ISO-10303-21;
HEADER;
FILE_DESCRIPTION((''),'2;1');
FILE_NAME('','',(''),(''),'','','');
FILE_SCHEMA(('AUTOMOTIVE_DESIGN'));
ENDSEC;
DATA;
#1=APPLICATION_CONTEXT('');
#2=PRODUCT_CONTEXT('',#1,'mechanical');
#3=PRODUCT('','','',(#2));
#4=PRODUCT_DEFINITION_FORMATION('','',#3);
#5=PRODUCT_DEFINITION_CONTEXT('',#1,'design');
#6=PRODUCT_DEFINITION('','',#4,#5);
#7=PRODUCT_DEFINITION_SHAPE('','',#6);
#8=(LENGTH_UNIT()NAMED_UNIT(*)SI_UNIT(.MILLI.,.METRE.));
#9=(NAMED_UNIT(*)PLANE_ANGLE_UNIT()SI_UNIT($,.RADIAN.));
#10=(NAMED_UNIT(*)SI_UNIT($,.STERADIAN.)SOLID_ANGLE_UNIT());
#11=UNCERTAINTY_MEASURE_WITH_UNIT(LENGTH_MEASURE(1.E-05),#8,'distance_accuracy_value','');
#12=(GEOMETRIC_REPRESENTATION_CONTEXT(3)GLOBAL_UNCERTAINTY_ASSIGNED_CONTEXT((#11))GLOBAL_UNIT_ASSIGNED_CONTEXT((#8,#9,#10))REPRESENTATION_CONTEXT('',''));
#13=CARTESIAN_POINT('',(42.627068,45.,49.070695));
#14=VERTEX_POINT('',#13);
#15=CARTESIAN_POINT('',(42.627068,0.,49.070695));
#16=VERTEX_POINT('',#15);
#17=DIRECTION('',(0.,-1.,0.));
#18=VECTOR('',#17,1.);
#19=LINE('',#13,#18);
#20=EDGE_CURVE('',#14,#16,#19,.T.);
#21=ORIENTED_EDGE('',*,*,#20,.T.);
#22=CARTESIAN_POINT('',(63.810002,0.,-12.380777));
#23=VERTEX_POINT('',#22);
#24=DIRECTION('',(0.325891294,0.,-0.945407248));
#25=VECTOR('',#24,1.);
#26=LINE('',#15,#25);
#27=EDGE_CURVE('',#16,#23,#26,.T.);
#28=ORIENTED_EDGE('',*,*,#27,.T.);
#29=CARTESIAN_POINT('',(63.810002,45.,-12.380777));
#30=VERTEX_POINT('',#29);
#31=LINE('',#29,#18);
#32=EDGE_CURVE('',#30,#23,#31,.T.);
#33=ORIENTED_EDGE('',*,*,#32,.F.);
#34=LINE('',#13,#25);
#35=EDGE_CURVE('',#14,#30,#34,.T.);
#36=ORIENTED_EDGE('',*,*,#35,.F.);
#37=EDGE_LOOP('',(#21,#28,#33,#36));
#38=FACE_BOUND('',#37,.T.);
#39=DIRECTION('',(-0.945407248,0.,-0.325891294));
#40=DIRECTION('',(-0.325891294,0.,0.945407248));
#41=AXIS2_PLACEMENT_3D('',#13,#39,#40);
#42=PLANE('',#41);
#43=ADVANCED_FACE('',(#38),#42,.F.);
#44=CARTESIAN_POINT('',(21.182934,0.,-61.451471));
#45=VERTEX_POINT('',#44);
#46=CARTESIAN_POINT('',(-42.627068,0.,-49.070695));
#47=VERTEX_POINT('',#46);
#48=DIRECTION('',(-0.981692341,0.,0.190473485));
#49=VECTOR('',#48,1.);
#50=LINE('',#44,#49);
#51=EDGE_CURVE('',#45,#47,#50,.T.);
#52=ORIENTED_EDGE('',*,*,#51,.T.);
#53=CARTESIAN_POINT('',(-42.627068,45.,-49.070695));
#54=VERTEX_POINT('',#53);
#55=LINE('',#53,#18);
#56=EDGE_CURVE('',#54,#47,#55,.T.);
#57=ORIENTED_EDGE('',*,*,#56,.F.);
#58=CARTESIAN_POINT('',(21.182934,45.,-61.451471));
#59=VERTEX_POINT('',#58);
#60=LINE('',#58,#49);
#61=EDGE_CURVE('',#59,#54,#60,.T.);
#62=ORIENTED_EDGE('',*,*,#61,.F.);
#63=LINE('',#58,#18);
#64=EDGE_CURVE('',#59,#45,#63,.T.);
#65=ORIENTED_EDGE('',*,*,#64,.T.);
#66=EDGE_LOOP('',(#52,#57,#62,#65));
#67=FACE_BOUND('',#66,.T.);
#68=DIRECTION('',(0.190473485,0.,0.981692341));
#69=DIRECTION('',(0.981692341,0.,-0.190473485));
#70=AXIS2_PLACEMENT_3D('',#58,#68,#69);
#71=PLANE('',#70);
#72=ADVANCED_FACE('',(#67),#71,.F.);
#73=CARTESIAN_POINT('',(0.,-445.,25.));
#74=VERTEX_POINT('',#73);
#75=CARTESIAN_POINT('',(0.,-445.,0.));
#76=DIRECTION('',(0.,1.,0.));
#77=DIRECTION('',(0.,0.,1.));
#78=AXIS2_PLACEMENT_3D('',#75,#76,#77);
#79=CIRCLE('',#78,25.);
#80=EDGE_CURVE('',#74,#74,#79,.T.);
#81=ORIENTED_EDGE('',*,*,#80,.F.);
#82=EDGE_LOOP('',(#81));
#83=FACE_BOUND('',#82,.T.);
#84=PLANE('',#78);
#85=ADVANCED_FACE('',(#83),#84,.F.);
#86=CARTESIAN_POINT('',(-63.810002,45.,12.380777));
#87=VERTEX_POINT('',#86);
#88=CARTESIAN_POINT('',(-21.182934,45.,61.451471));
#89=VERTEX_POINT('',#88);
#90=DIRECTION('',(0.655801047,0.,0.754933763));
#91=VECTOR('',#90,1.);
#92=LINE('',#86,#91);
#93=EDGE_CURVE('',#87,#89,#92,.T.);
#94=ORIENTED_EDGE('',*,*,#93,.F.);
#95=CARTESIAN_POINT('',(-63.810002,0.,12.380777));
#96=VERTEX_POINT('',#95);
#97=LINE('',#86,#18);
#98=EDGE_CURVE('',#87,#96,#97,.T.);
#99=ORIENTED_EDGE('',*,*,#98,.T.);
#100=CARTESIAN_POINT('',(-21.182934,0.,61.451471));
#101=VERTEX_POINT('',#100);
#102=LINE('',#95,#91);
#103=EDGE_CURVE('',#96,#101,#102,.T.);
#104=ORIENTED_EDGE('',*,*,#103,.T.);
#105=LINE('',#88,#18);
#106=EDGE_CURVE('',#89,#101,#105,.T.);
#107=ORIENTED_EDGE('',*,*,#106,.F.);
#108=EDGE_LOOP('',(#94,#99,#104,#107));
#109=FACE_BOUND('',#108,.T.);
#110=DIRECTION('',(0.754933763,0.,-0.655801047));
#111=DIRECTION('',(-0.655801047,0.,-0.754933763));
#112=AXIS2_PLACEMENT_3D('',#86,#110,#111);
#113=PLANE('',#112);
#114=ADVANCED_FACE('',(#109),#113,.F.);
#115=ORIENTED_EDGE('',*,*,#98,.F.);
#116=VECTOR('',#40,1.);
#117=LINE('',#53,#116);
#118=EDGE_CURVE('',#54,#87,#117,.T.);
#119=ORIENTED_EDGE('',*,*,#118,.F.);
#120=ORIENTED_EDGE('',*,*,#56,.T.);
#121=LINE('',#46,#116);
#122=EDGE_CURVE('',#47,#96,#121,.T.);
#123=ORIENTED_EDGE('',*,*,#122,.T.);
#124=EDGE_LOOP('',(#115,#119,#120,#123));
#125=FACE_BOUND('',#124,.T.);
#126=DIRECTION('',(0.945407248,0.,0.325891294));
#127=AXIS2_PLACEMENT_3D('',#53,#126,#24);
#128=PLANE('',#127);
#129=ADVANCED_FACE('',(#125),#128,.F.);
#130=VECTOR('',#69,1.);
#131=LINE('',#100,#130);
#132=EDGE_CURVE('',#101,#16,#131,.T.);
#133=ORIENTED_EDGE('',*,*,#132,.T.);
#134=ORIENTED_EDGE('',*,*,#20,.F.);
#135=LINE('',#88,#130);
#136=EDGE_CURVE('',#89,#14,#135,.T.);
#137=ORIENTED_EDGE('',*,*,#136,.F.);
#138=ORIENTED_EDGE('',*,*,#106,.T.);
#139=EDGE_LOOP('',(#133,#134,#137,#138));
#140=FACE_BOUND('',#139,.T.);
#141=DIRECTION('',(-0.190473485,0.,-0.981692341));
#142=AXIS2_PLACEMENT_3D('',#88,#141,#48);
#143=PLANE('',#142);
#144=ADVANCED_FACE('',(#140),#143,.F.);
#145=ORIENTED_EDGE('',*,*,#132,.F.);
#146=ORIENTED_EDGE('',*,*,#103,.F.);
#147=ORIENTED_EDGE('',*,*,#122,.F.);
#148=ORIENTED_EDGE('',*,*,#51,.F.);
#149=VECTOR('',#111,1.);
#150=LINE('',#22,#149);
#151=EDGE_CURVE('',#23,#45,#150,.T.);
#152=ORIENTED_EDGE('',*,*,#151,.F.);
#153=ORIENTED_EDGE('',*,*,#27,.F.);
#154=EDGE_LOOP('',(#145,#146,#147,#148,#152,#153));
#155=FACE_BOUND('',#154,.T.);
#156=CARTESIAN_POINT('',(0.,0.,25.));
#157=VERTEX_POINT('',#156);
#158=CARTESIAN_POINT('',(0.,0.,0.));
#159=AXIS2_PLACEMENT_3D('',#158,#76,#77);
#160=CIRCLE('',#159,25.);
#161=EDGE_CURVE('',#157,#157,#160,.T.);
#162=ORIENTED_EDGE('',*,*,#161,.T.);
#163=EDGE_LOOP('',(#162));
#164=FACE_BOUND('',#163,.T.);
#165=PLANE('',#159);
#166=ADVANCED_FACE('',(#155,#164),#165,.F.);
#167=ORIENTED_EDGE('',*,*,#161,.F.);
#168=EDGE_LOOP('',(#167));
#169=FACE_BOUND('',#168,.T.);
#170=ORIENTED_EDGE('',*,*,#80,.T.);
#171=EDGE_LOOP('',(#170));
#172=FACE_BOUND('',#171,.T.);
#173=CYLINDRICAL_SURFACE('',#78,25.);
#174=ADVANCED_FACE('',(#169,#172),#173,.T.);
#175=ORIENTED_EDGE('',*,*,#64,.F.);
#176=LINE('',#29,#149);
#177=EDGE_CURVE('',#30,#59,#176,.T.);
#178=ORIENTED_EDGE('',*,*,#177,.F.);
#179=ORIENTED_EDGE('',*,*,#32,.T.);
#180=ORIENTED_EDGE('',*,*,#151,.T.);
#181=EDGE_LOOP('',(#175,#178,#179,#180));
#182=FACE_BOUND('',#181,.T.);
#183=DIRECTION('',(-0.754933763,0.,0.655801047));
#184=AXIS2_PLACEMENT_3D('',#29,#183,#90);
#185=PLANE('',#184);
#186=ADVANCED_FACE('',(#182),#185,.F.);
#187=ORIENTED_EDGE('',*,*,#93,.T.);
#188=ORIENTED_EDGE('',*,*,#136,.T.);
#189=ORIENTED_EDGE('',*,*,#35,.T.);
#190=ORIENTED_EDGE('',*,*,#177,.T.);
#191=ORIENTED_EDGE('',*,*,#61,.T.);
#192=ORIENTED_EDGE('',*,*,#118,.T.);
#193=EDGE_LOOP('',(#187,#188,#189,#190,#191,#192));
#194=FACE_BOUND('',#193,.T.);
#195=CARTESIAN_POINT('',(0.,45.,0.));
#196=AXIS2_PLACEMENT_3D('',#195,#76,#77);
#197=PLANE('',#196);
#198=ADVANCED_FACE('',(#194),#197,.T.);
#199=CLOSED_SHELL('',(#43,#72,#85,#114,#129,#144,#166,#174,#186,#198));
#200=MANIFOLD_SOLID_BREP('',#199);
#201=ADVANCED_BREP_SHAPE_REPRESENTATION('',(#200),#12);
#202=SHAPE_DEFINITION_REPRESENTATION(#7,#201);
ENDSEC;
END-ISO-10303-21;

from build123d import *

# Parameters (mm, degrees)
SKETCH2_R                = 25
BOSS_EXTRUDE1_DEPTH      = 45
BOSS_EXTRUDE2_DEPTH      = 45
BOSS_EXTRUDE2_DEPTH_BACK = 445
SKETCH2_2_R              = 25


with BuildPart() as part:
    # Sketch2 → Boss-Extrude1 (new body)
    with BuildSketch(Plane(origin=(0, 0, 0), x_dir=(1, 0, 0), z_dir=(0, 1, 0))):
        Polygon((42.627068047, -49.070694612), (63.810002139, 12.380776511), (21.182934092, 61.451471124), (-42.627068047, 49.070694612), (-63.810002139, -12.380776511), (-21.182934092, -61.451471124), align=None)
        Circle(SKETCH2_R, mode=Mode.SUBTRACT)
    extrude(amount=BOSS_EXTRUDE1_DEPTH)

    # Sketch2<2> → Boss-Extrude2 (add, two sides: drawn at the far end of the back side and taken through both)
    with BuildSketch(Plane(origin=(0, 0, 0), x_dir=(1, 0, 0), z_dir=(0, 1, 0)).offset(-BOSS_EXTRUDE2_DEPTH_BACK)):
        Circle(SKETCH2_2_R)
    extrude(amount=BOSS_EXTRUDE2_DEPTH + BOSS_EXTRUDE2_DEPTH_BACK)


solid = part.part
